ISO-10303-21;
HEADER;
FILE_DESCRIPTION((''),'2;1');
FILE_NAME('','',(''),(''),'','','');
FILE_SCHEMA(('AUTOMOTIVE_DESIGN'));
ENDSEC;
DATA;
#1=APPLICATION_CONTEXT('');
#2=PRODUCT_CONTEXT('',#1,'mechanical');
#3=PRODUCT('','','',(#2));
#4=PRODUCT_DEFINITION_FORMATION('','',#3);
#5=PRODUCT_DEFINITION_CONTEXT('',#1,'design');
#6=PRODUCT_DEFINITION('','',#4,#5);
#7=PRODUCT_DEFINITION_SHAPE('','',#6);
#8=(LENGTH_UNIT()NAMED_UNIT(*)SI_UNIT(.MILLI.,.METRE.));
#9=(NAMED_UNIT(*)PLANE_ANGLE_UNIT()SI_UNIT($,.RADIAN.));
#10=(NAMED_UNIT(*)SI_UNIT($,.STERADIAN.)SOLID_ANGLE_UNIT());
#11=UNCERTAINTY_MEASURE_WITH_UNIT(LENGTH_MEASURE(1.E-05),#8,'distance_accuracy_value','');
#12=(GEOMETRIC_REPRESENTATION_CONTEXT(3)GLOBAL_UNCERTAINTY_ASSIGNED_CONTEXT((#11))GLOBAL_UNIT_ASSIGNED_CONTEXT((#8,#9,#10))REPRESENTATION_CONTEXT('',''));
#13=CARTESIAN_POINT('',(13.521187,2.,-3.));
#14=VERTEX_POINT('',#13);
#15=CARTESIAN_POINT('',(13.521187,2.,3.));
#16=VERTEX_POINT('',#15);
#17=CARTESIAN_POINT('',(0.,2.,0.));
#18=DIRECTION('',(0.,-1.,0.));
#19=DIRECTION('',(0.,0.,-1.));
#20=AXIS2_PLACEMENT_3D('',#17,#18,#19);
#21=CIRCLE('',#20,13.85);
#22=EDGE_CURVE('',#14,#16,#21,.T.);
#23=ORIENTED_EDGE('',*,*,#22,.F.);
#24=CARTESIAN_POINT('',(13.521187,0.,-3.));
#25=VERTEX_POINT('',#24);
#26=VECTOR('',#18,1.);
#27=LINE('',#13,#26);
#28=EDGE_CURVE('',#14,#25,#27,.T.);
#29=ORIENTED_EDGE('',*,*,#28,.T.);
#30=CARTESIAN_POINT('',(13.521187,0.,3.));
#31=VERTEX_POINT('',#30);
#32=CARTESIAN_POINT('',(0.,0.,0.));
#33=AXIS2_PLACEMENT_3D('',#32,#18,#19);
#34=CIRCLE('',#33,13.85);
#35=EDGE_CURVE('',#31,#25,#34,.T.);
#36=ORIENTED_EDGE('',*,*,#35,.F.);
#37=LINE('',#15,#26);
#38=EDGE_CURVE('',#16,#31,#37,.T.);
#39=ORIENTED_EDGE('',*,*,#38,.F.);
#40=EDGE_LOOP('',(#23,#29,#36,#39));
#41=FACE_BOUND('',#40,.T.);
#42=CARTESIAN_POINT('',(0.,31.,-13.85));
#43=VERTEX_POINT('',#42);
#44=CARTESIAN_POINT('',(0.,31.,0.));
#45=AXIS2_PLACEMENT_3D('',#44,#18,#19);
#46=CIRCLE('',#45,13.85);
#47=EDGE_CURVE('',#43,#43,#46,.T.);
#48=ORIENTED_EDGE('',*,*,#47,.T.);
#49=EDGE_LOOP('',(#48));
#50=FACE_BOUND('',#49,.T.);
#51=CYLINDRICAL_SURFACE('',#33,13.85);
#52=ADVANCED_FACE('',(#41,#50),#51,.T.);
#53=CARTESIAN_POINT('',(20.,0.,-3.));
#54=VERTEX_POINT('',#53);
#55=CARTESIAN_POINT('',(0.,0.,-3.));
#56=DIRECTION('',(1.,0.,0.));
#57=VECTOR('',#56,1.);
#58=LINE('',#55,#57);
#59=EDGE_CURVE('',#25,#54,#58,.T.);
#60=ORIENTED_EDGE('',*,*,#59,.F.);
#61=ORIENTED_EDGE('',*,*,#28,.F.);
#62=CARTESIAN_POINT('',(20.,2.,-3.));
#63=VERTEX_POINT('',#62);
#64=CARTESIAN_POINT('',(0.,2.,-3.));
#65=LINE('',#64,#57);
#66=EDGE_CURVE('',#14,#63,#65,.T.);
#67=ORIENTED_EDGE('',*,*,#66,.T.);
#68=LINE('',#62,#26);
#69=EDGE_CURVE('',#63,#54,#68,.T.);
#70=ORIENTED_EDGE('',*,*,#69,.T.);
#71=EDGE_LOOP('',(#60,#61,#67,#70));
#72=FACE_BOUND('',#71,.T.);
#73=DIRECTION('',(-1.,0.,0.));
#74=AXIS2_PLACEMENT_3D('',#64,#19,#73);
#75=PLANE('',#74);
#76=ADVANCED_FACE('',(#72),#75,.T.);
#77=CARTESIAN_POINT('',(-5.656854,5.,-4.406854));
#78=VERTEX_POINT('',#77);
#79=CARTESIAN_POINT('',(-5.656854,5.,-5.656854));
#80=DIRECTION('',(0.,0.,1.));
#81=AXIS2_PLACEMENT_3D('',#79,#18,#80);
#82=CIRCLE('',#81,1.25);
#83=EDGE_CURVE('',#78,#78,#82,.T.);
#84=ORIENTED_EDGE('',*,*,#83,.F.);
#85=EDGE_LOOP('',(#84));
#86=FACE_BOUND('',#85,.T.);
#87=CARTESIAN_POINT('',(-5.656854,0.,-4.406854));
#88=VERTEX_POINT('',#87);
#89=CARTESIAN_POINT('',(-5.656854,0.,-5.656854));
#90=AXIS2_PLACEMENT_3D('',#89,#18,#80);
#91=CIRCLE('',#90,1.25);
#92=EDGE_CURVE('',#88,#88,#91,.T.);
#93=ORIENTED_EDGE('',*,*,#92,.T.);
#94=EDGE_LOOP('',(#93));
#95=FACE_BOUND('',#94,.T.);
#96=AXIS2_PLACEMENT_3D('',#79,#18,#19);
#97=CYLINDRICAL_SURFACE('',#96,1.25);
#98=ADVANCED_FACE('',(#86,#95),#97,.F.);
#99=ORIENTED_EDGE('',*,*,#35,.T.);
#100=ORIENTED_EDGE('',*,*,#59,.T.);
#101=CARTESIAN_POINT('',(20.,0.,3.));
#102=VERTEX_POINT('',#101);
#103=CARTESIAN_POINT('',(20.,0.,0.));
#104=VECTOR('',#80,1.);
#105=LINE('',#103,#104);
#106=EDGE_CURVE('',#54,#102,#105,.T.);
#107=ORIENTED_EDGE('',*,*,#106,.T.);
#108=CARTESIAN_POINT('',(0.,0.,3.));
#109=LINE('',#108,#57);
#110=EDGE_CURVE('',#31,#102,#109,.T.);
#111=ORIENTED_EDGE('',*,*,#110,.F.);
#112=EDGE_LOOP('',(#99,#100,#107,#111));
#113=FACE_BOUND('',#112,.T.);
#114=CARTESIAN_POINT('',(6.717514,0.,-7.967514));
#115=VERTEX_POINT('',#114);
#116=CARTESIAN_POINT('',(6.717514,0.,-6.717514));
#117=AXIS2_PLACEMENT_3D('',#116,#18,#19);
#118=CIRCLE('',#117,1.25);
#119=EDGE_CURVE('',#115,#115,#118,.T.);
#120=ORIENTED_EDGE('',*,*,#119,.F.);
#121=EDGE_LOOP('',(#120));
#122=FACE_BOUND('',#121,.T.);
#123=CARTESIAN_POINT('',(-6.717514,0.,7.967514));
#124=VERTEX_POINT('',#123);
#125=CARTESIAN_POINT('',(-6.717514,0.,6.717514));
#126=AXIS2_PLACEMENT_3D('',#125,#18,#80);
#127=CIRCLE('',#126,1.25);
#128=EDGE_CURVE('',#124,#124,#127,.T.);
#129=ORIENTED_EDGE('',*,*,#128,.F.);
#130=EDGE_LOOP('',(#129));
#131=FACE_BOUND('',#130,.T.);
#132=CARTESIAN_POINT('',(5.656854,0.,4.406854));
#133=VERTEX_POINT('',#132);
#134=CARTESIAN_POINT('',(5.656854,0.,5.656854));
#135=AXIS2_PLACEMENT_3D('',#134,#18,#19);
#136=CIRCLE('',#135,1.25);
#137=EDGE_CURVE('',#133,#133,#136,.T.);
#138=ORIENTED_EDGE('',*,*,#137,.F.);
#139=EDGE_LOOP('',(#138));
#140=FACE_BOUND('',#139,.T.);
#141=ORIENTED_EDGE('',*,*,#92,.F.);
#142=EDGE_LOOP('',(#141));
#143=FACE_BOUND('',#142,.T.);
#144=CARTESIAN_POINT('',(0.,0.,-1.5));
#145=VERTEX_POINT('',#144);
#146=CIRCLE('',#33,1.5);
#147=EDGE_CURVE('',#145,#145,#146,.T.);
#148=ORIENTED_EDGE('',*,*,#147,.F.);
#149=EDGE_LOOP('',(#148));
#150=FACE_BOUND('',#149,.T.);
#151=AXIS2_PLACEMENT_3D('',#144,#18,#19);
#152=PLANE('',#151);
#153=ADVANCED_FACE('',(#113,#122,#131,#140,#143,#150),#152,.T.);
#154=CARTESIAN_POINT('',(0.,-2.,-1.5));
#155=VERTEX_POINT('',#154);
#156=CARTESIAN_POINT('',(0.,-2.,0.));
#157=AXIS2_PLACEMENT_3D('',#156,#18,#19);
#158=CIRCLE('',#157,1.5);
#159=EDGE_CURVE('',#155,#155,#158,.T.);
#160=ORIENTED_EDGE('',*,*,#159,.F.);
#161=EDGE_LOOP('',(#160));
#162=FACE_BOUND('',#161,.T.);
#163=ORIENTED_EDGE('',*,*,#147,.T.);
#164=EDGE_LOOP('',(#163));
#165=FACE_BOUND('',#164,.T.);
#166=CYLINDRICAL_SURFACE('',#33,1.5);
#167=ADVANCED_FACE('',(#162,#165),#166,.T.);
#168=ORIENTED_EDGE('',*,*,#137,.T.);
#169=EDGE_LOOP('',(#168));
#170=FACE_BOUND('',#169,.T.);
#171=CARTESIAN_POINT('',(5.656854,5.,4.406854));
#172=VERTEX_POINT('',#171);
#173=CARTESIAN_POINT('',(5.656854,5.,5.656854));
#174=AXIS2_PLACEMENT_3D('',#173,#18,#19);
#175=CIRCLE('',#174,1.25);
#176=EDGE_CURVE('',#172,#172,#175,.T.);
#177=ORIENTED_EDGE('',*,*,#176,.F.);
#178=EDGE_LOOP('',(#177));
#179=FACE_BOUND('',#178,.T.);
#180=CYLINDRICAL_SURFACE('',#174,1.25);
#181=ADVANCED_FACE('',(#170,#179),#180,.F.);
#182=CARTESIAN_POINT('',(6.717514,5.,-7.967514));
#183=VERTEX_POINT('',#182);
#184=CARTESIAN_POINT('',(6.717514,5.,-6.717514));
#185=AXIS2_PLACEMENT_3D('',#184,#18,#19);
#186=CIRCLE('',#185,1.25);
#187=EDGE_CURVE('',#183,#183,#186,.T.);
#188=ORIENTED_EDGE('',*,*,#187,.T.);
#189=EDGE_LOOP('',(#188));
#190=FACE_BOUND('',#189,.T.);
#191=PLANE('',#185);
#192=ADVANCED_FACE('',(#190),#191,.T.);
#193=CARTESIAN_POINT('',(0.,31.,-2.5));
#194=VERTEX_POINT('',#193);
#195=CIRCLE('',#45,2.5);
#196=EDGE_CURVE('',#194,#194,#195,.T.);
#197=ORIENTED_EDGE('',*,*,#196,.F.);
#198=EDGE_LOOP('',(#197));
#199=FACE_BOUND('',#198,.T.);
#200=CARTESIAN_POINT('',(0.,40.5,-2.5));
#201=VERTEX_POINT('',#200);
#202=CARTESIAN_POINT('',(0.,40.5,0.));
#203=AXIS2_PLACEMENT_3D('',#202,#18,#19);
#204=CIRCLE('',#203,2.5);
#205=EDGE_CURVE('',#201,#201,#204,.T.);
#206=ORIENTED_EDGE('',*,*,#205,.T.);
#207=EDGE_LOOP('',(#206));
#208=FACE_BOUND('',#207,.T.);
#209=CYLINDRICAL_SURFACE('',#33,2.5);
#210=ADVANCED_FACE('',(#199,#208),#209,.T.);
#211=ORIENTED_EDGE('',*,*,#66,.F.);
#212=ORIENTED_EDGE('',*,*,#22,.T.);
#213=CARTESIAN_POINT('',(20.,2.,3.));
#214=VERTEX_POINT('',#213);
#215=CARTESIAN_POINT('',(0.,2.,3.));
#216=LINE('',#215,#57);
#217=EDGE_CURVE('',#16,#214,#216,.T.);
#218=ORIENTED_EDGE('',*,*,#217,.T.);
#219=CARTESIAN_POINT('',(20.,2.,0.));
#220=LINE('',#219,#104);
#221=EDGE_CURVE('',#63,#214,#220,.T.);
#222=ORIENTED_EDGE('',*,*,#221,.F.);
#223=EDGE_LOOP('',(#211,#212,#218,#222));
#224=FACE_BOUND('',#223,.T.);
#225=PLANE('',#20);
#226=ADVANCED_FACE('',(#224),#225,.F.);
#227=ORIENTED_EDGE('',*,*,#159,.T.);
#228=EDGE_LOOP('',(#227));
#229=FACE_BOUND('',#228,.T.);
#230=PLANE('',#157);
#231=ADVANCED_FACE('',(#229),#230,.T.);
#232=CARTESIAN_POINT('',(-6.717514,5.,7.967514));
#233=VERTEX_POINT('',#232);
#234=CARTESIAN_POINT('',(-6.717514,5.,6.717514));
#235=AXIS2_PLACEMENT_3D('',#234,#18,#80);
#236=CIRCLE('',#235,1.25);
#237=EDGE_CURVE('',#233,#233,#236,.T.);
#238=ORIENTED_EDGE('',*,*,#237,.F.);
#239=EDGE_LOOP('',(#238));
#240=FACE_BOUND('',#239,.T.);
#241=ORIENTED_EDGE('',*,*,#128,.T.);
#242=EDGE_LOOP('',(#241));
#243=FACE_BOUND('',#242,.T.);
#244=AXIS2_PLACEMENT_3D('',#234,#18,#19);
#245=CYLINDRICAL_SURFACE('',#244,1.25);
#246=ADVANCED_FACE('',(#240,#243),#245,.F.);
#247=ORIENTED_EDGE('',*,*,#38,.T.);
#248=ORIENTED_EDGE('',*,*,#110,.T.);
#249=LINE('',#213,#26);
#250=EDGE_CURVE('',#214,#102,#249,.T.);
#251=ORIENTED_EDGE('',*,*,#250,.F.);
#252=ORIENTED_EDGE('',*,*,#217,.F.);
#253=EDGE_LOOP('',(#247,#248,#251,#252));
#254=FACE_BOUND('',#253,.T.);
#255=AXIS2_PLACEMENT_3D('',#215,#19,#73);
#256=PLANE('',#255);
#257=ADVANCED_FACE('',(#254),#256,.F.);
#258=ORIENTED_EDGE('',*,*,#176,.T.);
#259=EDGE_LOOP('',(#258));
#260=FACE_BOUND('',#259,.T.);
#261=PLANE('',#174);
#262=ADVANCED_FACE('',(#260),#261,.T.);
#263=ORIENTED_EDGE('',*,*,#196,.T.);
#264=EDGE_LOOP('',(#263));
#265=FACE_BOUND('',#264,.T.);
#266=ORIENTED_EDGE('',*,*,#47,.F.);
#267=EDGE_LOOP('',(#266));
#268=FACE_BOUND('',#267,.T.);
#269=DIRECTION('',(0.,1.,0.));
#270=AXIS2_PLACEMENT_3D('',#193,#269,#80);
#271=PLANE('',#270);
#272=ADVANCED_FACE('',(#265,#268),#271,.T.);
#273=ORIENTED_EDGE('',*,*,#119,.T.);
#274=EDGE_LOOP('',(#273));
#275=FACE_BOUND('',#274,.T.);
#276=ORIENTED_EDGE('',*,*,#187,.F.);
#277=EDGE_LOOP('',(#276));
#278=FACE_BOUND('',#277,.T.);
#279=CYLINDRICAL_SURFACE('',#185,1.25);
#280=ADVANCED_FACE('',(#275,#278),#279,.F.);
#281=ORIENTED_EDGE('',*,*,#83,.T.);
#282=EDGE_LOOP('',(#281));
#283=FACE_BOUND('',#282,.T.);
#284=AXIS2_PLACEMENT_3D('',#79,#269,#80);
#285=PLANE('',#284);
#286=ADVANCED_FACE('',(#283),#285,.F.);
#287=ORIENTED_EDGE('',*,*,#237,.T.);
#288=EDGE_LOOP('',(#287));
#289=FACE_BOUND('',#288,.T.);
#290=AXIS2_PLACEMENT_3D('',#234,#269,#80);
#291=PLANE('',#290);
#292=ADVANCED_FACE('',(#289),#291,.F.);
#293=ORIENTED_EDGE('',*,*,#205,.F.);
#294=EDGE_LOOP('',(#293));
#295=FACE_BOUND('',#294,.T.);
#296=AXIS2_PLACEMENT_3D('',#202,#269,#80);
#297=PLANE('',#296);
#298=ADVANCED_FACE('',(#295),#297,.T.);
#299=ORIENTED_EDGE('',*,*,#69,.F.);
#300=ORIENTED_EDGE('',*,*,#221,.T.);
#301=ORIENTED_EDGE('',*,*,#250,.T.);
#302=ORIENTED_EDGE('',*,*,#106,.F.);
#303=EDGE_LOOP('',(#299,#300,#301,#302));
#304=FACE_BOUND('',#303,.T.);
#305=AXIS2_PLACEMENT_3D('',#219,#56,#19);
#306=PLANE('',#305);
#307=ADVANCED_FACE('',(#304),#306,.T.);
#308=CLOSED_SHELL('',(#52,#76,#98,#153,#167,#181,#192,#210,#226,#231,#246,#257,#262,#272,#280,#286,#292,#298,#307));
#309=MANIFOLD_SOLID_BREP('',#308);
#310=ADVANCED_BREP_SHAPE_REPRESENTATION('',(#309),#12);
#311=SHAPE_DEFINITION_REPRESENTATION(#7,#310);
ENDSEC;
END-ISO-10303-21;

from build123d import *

# Parameters (mm, degrees)
SKETCH_3_R          = 1.25
CUT_EXTRUDE_1_DEPTH = 5
EXTRUDE_1_DEPTH     = 2


with BuildPart() as part:
    # Эскиз2 → Повернуть1 (revolve)
    with BuildSketch(Plane(origin=(0, 0, 0), x_dir=(0, 0, -1), z_dir=(1, 0, 0))):
        Polygon((0, 0), (0, 31), (0, 40.5), (2.5, 40.5), (2.5, 31), (13.85, 31), (13.85, 0), (1.5, 0), (1.5, -2), (0, -2), align=None)
    revolve(axis=Axis((0, 0, 0), (0, 1, 0)))

    # Эскиз3 → Вырез-Вытянуть1 (cut)
    with BuildSketch(Plane.XZ):
        with Locations(Location((5.65685425, 5.65685425, 0), (0, 0, 270))):
            Circle(SKETCH_3_R)
        with Locations(Location((6.717514421, -6.717514421, 0), (0, 0, 270))):
            Circle(SKETCH_3_R)
        with Locations(Location((-6.717514421, 6.717514421, 0), (0, 0, 90))):
            Circle(SKETCH_3_R)
        with Locations(Location((-5.65685425, -5.65685425, 0), (0, 0, 90))):
            Circle(SKETCH_3_R)
    extrude(amount=-CUT_EXTRUDE_1_DEPTH, mode=Mode.SUBTRACT)

    # Эскиз4 → Бобышка-Вытянуть1 (add)
    with BuildSketch(Plane.XZ):
        with BuildLine():
            Line((13.521187078, -3), (13.85, -3))
            Line((13.85, -3), (20, -3))
            Line((20, -3), (20, 3))
            Line((20, 3), (13.521187078, 3))
            ThreePointArc((13.521187078, 3), (13.767551362, 1.50898293), (13.85, 0))
            ThreePointArc((13.85, 0), (13.767551362, -1.50898293), (13.521187078, -3))
        make_face()
    extrude(amount=-EXTRUDE_1_DEPTH)


solid = part.part
